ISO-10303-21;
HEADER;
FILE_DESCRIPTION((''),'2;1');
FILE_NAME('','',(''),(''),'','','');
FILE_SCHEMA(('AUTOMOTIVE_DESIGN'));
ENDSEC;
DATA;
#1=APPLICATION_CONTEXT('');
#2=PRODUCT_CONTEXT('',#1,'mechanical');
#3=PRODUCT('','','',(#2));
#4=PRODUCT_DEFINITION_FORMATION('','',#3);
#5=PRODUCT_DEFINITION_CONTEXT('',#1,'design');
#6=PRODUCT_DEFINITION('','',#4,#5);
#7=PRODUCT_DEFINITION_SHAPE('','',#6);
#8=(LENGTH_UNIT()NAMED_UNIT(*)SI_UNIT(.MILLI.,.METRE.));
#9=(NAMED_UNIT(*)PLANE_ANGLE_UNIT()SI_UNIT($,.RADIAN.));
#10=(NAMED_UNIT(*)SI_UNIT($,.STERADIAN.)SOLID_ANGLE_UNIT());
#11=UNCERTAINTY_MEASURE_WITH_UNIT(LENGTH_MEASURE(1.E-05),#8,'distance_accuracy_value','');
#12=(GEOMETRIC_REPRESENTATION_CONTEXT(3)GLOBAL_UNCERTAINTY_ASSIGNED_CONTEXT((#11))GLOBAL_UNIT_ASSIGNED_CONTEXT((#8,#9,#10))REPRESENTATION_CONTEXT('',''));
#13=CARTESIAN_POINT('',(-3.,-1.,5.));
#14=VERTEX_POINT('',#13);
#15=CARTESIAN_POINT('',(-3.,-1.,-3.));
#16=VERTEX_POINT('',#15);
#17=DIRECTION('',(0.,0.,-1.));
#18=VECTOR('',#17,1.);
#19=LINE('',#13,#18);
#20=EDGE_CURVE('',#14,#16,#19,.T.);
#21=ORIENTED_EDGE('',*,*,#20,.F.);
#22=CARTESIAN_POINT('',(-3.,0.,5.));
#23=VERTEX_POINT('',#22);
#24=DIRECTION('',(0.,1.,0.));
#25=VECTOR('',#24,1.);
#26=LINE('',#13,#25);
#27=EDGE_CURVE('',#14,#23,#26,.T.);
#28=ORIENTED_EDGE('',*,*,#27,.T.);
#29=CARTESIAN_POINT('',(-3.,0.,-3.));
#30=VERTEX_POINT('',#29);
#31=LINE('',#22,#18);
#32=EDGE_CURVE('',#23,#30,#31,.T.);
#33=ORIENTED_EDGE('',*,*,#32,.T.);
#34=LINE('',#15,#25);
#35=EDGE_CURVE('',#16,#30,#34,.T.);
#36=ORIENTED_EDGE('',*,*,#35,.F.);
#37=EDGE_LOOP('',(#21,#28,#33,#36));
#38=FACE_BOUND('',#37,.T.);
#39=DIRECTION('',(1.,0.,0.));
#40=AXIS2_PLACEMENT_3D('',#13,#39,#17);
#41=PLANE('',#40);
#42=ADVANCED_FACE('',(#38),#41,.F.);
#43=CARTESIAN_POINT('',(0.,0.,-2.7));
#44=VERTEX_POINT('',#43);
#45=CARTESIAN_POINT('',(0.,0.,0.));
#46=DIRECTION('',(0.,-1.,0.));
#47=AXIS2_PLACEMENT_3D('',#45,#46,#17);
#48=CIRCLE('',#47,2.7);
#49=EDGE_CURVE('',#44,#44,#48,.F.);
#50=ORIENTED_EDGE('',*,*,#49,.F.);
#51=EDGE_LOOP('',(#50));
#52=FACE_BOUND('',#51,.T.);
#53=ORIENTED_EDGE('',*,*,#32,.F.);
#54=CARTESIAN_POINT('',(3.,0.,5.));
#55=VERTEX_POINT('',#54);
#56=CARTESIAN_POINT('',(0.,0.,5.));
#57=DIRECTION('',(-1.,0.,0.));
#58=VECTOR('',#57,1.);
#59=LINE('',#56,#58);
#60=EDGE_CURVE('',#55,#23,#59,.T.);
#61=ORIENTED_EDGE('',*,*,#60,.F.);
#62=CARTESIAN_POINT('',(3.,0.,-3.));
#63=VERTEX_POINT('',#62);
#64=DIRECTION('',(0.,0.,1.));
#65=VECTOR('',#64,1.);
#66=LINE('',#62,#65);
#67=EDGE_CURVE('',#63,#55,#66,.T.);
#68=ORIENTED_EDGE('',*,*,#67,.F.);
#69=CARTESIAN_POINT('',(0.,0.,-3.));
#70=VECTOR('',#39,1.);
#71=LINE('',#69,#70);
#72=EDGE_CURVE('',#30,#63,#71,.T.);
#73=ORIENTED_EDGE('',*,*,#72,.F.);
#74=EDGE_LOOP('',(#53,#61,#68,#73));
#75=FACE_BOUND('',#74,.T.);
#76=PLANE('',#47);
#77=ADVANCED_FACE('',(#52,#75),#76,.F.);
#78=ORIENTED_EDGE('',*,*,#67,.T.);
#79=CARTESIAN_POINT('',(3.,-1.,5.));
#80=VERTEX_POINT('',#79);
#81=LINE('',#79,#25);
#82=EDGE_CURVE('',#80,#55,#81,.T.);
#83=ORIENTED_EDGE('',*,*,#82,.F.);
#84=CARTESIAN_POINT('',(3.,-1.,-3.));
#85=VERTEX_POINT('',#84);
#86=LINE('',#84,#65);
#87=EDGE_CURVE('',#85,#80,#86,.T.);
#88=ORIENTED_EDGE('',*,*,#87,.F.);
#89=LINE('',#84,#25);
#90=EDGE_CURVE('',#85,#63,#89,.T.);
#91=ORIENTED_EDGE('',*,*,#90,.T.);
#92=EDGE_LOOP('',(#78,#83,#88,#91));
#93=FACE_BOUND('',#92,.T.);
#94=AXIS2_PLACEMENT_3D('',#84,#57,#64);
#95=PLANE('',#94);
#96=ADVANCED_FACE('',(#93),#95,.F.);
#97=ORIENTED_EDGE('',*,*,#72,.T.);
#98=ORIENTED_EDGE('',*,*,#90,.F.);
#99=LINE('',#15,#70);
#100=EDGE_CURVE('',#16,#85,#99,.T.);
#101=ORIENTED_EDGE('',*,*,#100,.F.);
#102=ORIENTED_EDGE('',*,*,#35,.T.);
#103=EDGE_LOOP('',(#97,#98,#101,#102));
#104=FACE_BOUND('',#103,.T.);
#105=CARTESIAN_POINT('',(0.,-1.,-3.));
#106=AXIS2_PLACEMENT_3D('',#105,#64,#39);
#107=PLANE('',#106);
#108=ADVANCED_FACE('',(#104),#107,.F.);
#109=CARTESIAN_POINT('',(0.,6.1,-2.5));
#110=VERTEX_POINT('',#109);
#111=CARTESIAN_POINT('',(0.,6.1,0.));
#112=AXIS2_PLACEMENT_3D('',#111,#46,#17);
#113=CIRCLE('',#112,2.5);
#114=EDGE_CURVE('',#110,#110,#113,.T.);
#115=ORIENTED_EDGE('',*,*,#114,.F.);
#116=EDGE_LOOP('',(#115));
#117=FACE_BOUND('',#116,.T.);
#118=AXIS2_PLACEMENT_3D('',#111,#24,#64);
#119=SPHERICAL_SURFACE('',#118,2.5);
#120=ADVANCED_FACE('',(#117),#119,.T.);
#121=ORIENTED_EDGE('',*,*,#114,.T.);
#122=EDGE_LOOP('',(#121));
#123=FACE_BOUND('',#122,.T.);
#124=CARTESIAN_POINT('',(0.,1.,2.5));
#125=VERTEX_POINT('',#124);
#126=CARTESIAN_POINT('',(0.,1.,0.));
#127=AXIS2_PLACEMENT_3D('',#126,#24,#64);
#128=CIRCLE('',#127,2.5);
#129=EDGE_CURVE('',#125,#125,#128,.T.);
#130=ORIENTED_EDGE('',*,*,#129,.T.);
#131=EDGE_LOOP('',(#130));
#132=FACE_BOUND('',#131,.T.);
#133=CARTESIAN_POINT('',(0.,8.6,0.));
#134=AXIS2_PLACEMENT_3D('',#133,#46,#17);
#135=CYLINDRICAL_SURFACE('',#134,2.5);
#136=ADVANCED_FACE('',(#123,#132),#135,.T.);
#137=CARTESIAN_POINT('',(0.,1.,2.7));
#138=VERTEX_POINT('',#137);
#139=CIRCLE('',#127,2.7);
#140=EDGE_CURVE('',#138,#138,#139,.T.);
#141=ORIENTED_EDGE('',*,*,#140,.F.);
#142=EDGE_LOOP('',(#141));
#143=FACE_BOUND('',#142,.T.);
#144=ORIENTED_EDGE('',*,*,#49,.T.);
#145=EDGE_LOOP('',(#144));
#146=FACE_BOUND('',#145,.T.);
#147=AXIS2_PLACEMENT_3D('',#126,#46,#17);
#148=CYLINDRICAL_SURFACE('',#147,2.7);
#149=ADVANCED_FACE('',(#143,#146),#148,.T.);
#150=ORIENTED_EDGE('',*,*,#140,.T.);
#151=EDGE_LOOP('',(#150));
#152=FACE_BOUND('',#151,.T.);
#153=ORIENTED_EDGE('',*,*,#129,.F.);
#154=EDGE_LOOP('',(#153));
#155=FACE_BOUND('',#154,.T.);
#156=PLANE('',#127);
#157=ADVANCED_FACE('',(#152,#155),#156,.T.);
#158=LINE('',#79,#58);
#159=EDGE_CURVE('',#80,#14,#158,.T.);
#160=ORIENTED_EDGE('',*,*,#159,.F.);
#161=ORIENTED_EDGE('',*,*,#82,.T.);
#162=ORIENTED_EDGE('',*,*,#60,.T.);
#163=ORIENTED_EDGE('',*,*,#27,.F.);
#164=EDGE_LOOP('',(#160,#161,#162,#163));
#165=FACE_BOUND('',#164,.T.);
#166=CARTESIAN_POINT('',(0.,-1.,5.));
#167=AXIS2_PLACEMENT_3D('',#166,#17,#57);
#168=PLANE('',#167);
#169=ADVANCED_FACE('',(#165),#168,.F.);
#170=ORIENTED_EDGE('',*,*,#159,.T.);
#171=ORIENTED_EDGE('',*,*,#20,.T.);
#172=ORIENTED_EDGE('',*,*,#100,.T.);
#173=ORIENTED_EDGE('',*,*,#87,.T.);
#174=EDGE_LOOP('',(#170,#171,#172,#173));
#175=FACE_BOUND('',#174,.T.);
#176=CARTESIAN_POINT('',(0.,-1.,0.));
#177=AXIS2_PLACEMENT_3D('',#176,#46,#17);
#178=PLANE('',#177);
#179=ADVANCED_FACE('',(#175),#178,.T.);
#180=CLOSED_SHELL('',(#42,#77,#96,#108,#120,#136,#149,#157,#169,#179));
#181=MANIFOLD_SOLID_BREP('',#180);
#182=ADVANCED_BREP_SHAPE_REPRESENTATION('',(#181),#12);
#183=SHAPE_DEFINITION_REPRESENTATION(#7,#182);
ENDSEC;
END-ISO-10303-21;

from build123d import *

# Parameters (mm, degrees)
SKETCH1_R           = 2.5
BOSS_EXTRUDE1_DEPTH = 8.6
FILLET1_R           = 2.5
BOSS_EXTRUDE2_DEPTH = 1
SKETCH3_R           = 2.7
BOSS_EXTRUDE3_DEPTH = 1


with BuildPart() as part:
    # Sketch1 → Boss-Extrude1 (new body)
    with BuildSketch(Plane(origin=(0, 0, 0), x_dir=(1, 0, 0), z_dir=(0, 1, 0))):
        Circle(SKETCH1_R)
    extrude(amount=BOSS_EXTRUDE1_DEPTH)

    # Fillet1
    fillet1_edges = [part.edges().sort_by_distance(p)[0] for p in [
        (-2.5, 8.6, 0),
    ]]
    fillet(fillet1_edges, radius=FILLET1_R)

    # Sketch2 → Boss-Extrude2 (add)
    with BuildSketch(Plane(origin=(0, 0, 0), x_dir=(-1, 0, 0), z_dir=(0, -1, 0))):
        Polygon((0, 3), (-3, 3), (-3, -5), (0, -5), (3, -5), (3, 3), align=None)
    extrude(amount=BOSS_EXTRUDE2_DEPTH)

    # Sketch3 → Boss-Extrude3 (add)
    with BuildSketch(Plane(origin=(0, 0, 0), x_dir=(1, 0, 0), z_dir=(0, 1, 0))):
        Circle(SKETCH3_R)
    extrude(amount=BOSS_EXTRUDE3_DEPTH)


solid = part.part
